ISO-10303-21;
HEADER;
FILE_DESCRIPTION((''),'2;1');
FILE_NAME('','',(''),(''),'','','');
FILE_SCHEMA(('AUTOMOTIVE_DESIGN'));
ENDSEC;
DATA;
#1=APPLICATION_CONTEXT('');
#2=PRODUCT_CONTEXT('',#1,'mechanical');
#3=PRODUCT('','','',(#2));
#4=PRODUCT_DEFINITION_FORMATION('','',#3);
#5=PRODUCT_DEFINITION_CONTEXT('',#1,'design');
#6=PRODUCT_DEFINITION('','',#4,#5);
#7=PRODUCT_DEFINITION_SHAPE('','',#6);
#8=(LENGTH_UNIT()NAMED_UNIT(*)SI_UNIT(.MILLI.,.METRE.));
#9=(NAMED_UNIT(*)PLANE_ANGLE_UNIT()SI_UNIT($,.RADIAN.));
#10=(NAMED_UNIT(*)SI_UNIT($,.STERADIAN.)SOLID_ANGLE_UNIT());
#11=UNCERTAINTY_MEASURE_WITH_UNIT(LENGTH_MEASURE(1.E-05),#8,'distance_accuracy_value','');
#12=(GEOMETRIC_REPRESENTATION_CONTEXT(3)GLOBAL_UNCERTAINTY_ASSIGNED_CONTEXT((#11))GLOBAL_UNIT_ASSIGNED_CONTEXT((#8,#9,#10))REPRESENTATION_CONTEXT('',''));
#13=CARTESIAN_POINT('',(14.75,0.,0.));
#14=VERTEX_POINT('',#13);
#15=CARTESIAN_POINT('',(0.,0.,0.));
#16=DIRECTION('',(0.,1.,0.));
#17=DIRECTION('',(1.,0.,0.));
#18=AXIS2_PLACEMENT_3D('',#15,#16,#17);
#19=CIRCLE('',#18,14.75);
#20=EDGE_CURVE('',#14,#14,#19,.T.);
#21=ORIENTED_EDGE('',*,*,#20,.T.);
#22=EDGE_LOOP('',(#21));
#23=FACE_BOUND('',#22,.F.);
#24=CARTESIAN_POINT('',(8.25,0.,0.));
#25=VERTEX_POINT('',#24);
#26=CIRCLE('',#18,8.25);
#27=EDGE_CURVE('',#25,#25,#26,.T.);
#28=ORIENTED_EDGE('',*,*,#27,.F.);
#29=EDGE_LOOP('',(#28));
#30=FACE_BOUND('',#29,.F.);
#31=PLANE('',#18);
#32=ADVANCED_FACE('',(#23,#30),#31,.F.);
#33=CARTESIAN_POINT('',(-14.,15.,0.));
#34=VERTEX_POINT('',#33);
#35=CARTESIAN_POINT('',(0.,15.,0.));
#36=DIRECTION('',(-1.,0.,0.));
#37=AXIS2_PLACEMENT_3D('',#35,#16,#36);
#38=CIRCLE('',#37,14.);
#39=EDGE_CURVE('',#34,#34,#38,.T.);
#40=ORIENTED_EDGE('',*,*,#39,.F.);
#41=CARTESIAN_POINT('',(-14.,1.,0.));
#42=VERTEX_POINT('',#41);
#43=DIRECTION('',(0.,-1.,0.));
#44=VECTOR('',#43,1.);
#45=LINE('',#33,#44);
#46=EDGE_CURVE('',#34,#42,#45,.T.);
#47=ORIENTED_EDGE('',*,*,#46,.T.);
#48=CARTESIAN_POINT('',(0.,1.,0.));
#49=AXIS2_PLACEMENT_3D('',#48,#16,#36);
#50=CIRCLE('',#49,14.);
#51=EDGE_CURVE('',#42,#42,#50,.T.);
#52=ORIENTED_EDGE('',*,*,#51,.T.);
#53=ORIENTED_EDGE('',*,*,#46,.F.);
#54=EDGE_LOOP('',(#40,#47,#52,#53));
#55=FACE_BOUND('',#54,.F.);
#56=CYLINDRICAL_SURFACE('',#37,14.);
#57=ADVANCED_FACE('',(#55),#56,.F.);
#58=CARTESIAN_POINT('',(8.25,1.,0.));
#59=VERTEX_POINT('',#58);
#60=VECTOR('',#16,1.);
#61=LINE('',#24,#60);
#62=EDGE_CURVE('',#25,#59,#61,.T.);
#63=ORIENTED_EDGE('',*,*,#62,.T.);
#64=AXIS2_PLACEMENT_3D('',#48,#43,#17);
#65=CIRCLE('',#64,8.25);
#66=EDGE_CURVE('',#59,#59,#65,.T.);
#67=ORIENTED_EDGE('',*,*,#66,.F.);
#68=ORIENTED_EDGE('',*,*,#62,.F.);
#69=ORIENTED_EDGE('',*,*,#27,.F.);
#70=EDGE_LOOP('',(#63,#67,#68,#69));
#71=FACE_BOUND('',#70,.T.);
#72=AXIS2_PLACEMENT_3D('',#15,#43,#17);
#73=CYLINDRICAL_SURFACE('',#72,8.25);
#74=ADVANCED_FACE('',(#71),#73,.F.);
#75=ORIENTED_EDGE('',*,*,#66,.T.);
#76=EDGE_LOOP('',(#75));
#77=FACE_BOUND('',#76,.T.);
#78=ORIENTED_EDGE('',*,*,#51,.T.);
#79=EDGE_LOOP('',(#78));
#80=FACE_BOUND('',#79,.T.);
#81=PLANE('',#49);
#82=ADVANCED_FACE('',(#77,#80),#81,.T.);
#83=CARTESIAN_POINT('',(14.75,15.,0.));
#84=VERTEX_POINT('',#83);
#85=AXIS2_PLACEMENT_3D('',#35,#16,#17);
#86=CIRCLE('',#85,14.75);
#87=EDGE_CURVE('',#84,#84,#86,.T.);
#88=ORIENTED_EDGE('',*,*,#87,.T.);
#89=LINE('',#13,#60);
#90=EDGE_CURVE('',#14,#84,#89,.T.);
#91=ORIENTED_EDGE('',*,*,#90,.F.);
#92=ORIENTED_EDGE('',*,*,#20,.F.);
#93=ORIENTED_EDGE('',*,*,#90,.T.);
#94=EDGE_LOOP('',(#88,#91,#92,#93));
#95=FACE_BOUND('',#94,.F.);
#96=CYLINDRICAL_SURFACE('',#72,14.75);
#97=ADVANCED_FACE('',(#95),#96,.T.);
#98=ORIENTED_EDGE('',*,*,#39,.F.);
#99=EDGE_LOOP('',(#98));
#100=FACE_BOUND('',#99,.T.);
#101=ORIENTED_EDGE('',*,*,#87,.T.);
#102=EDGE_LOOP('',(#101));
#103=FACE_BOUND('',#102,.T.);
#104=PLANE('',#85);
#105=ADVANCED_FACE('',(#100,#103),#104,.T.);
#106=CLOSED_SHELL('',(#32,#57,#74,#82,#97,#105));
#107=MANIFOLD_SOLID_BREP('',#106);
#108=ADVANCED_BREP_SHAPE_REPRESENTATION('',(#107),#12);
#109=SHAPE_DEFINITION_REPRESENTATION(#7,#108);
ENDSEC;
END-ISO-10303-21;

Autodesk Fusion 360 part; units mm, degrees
sketch "Sketch1" plane through (0, 0, 0) normal (0, 1, 0) x (1, 0, 0)
  circle A0 centre (0, 0) radius 14.75
  circle A1 centre (0, 0) radius 8.25
  dimension "d1" = 29.5
  dimension "d7" = 16.5
extrude "Extrude1" add sketch "Sketch1" along normal blind 15
sketch "Sketch2" plane through (0, 15, 0) normal (0, 1, 0) x (-1, 0, 0)
  circle A0 centre (0, 0) radius 14.75
  circle A1 centre (0, 0) radius 14
  circle A2 centre (0, 0) radius 8.25
  dimension "d4" = 28
extrude "Extrude2" cut sketch "Sketch2" against normal blind 14 contours A1 | A2
